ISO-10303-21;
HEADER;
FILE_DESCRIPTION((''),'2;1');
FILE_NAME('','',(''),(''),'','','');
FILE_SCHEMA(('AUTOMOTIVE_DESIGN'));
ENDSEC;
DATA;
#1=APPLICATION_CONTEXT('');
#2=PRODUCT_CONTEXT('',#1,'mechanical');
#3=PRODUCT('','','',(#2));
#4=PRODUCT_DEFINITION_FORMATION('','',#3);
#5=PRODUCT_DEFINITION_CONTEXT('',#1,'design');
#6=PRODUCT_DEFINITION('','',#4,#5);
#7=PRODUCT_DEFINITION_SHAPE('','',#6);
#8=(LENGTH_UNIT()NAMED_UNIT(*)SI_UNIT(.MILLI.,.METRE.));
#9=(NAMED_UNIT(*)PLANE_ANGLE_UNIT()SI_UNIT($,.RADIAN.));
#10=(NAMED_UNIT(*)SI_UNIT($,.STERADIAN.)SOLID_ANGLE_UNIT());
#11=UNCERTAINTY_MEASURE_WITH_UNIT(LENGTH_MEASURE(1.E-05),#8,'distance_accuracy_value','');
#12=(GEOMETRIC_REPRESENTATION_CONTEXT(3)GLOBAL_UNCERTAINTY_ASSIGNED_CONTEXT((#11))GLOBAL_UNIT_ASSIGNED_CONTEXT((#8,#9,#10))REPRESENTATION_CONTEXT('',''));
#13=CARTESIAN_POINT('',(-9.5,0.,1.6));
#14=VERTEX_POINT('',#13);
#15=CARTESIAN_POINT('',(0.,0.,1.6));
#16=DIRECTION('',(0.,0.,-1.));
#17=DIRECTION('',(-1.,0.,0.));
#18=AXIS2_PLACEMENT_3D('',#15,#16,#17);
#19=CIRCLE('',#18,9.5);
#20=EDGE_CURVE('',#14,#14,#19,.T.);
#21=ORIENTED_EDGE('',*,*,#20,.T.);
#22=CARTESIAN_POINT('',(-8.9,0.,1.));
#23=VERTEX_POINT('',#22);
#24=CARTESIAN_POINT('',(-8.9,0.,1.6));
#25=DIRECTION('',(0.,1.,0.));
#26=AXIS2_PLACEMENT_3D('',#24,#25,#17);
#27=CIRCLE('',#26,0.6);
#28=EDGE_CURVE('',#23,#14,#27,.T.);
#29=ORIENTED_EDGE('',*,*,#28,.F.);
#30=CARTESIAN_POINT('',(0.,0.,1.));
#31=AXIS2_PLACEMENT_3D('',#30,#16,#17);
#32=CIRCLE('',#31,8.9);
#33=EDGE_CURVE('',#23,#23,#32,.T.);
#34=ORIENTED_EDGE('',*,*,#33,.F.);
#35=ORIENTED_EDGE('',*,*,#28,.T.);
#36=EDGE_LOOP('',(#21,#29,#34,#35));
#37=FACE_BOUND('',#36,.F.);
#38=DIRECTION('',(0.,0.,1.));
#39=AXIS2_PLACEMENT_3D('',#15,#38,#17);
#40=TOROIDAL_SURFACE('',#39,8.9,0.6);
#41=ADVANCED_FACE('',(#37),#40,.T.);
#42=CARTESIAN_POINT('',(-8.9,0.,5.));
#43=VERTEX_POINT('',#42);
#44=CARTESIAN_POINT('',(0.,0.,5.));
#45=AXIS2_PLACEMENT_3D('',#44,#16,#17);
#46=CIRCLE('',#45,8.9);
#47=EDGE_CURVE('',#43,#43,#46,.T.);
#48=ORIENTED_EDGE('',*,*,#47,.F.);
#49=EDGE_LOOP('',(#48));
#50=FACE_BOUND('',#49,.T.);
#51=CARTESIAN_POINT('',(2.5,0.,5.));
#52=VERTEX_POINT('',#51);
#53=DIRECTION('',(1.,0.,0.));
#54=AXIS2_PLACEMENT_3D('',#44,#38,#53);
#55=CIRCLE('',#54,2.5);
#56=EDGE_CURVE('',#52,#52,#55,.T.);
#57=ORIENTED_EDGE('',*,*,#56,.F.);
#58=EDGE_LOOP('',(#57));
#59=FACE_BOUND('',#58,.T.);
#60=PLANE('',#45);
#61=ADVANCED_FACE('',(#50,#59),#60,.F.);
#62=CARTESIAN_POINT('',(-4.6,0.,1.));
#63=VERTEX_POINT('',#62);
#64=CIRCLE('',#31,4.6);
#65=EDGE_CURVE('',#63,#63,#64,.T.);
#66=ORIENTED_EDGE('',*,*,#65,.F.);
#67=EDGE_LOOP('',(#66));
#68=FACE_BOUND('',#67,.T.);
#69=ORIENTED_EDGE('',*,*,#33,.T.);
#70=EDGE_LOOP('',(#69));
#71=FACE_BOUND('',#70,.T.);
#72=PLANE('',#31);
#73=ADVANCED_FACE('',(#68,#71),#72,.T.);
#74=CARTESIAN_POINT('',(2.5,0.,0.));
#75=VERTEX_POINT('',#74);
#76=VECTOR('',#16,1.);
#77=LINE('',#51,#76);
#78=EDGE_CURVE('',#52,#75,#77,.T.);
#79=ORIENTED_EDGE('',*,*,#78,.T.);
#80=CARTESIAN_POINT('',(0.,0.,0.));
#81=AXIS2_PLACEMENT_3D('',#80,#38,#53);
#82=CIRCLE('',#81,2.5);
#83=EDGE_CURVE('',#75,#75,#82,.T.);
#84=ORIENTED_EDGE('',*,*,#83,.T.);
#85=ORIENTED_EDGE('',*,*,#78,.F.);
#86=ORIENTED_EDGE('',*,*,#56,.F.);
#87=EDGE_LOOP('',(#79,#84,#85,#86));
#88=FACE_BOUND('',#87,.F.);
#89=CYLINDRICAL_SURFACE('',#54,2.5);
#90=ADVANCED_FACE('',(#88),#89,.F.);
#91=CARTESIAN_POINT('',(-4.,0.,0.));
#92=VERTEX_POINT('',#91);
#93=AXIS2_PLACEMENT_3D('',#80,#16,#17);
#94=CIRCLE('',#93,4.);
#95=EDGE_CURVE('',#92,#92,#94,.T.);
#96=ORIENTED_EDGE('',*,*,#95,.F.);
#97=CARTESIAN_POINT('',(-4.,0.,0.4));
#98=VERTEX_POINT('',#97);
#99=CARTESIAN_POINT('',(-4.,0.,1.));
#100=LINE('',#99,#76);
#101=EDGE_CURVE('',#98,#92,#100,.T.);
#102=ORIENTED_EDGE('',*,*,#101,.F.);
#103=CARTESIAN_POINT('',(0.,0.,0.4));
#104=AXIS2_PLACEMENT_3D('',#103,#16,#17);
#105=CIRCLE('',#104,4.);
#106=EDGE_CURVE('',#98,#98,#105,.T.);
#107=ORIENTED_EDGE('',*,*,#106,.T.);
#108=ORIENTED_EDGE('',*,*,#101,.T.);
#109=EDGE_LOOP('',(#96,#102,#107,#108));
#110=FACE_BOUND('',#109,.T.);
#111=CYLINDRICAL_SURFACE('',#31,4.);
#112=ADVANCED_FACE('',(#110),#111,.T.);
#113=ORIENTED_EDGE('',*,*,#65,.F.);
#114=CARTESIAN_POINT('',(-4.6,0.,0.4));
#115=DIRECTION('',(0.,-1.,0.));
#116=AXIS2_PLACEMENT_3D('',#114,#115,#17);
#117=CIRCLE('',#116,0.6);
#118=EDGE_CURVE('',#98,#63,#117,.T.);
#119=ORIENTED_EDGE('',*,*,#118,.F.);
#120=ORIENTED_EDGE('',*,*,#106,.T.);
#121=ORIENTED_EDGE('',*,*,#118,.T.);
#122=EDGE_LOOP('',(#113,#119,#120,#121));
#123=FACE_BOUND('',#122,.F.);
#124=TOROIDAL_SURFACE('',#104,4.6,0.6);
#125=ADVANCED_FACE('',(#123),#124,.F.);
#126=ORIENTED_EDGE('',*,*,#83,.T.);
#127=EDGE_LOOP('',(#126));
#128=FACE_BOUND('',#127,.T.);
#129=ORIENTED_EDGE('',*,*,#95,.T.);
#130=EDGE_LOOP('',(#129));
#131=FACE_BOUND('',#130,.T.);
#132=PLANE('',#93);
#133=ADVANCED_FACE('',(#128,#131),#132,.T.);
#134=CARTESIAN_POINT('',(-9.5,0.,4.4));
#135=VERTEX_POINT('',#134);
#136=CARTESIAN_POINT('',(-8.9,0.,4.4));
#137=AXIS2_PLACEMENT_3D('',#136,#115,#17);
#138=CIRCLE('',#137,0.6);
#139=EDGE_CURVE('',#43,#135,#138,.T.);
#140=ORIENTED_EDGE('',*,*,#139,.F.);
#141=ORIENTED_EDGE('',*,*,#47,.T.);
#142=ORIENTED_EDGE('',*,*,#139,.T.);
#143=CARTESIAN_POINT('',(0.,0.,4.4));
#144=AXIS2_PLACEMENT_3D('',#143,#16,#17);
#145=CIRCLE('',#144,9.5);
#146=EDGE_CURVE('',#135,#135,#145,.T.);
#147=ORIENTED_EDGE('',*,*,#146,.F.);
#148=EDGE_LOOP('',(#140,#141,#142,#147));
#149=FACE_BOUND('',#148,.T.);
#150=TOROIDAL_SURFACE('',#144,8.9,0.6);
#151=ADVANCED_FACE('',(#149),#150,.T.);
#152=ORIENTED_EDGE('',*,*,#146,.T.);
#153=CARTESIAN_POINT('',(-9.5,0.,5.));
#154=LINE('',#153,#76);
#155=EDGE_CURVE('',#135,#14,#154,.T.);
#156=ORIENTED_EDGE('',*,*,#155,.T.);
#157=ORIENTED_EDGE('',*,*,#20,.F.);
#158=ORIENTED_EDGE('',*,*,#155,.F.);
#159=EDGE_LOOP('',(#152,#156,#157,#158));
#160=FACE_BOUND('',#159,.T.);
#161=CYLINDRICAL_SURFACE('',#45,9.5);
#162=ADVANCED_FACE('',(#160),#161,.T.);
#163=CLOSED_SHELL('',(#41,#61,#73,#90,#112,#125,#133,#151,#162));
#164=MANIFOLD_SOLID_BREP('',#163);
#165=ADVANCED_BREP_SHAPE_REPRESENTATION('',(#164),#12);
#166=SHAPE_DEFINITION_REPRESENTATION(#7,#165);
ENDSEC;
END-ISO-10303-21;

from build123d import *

# Parameters (mm, degrees)
F2_R     = 2.5
F3_DEPTH = 11.3
F4_R     = 0.6


with BuildPart() as f1:
    # F0 (on Front) → F1 (revolve)
    with BuildSketch(Plane.XZ):
        Polygon((-4, 0), (0, 0), (0, 5), (-9.5, 5), (-9.5, 1), (-4, 1), align=None)
    revolve(axis=Axis((0, 0, 2.5), (0, 0, -1)))

    # F2 (on face) → F3 (cut)
    with BuildSketch(Plane.XY.offset(5)):
        Circle(F2_R)
    extrude(amount=-F3_DEPTH, mode=Mode.SUBTRACT)

    # F4
    f4_edges = [f1.edges().sort_by_distance(p)[0] for p in [
        (9.5, 0, 5),
        (9.5, 0, 1),
        (4, 0, 1),
    ]]
    fillet(f4_edges, radius=F4_R)


solid = f1.part
